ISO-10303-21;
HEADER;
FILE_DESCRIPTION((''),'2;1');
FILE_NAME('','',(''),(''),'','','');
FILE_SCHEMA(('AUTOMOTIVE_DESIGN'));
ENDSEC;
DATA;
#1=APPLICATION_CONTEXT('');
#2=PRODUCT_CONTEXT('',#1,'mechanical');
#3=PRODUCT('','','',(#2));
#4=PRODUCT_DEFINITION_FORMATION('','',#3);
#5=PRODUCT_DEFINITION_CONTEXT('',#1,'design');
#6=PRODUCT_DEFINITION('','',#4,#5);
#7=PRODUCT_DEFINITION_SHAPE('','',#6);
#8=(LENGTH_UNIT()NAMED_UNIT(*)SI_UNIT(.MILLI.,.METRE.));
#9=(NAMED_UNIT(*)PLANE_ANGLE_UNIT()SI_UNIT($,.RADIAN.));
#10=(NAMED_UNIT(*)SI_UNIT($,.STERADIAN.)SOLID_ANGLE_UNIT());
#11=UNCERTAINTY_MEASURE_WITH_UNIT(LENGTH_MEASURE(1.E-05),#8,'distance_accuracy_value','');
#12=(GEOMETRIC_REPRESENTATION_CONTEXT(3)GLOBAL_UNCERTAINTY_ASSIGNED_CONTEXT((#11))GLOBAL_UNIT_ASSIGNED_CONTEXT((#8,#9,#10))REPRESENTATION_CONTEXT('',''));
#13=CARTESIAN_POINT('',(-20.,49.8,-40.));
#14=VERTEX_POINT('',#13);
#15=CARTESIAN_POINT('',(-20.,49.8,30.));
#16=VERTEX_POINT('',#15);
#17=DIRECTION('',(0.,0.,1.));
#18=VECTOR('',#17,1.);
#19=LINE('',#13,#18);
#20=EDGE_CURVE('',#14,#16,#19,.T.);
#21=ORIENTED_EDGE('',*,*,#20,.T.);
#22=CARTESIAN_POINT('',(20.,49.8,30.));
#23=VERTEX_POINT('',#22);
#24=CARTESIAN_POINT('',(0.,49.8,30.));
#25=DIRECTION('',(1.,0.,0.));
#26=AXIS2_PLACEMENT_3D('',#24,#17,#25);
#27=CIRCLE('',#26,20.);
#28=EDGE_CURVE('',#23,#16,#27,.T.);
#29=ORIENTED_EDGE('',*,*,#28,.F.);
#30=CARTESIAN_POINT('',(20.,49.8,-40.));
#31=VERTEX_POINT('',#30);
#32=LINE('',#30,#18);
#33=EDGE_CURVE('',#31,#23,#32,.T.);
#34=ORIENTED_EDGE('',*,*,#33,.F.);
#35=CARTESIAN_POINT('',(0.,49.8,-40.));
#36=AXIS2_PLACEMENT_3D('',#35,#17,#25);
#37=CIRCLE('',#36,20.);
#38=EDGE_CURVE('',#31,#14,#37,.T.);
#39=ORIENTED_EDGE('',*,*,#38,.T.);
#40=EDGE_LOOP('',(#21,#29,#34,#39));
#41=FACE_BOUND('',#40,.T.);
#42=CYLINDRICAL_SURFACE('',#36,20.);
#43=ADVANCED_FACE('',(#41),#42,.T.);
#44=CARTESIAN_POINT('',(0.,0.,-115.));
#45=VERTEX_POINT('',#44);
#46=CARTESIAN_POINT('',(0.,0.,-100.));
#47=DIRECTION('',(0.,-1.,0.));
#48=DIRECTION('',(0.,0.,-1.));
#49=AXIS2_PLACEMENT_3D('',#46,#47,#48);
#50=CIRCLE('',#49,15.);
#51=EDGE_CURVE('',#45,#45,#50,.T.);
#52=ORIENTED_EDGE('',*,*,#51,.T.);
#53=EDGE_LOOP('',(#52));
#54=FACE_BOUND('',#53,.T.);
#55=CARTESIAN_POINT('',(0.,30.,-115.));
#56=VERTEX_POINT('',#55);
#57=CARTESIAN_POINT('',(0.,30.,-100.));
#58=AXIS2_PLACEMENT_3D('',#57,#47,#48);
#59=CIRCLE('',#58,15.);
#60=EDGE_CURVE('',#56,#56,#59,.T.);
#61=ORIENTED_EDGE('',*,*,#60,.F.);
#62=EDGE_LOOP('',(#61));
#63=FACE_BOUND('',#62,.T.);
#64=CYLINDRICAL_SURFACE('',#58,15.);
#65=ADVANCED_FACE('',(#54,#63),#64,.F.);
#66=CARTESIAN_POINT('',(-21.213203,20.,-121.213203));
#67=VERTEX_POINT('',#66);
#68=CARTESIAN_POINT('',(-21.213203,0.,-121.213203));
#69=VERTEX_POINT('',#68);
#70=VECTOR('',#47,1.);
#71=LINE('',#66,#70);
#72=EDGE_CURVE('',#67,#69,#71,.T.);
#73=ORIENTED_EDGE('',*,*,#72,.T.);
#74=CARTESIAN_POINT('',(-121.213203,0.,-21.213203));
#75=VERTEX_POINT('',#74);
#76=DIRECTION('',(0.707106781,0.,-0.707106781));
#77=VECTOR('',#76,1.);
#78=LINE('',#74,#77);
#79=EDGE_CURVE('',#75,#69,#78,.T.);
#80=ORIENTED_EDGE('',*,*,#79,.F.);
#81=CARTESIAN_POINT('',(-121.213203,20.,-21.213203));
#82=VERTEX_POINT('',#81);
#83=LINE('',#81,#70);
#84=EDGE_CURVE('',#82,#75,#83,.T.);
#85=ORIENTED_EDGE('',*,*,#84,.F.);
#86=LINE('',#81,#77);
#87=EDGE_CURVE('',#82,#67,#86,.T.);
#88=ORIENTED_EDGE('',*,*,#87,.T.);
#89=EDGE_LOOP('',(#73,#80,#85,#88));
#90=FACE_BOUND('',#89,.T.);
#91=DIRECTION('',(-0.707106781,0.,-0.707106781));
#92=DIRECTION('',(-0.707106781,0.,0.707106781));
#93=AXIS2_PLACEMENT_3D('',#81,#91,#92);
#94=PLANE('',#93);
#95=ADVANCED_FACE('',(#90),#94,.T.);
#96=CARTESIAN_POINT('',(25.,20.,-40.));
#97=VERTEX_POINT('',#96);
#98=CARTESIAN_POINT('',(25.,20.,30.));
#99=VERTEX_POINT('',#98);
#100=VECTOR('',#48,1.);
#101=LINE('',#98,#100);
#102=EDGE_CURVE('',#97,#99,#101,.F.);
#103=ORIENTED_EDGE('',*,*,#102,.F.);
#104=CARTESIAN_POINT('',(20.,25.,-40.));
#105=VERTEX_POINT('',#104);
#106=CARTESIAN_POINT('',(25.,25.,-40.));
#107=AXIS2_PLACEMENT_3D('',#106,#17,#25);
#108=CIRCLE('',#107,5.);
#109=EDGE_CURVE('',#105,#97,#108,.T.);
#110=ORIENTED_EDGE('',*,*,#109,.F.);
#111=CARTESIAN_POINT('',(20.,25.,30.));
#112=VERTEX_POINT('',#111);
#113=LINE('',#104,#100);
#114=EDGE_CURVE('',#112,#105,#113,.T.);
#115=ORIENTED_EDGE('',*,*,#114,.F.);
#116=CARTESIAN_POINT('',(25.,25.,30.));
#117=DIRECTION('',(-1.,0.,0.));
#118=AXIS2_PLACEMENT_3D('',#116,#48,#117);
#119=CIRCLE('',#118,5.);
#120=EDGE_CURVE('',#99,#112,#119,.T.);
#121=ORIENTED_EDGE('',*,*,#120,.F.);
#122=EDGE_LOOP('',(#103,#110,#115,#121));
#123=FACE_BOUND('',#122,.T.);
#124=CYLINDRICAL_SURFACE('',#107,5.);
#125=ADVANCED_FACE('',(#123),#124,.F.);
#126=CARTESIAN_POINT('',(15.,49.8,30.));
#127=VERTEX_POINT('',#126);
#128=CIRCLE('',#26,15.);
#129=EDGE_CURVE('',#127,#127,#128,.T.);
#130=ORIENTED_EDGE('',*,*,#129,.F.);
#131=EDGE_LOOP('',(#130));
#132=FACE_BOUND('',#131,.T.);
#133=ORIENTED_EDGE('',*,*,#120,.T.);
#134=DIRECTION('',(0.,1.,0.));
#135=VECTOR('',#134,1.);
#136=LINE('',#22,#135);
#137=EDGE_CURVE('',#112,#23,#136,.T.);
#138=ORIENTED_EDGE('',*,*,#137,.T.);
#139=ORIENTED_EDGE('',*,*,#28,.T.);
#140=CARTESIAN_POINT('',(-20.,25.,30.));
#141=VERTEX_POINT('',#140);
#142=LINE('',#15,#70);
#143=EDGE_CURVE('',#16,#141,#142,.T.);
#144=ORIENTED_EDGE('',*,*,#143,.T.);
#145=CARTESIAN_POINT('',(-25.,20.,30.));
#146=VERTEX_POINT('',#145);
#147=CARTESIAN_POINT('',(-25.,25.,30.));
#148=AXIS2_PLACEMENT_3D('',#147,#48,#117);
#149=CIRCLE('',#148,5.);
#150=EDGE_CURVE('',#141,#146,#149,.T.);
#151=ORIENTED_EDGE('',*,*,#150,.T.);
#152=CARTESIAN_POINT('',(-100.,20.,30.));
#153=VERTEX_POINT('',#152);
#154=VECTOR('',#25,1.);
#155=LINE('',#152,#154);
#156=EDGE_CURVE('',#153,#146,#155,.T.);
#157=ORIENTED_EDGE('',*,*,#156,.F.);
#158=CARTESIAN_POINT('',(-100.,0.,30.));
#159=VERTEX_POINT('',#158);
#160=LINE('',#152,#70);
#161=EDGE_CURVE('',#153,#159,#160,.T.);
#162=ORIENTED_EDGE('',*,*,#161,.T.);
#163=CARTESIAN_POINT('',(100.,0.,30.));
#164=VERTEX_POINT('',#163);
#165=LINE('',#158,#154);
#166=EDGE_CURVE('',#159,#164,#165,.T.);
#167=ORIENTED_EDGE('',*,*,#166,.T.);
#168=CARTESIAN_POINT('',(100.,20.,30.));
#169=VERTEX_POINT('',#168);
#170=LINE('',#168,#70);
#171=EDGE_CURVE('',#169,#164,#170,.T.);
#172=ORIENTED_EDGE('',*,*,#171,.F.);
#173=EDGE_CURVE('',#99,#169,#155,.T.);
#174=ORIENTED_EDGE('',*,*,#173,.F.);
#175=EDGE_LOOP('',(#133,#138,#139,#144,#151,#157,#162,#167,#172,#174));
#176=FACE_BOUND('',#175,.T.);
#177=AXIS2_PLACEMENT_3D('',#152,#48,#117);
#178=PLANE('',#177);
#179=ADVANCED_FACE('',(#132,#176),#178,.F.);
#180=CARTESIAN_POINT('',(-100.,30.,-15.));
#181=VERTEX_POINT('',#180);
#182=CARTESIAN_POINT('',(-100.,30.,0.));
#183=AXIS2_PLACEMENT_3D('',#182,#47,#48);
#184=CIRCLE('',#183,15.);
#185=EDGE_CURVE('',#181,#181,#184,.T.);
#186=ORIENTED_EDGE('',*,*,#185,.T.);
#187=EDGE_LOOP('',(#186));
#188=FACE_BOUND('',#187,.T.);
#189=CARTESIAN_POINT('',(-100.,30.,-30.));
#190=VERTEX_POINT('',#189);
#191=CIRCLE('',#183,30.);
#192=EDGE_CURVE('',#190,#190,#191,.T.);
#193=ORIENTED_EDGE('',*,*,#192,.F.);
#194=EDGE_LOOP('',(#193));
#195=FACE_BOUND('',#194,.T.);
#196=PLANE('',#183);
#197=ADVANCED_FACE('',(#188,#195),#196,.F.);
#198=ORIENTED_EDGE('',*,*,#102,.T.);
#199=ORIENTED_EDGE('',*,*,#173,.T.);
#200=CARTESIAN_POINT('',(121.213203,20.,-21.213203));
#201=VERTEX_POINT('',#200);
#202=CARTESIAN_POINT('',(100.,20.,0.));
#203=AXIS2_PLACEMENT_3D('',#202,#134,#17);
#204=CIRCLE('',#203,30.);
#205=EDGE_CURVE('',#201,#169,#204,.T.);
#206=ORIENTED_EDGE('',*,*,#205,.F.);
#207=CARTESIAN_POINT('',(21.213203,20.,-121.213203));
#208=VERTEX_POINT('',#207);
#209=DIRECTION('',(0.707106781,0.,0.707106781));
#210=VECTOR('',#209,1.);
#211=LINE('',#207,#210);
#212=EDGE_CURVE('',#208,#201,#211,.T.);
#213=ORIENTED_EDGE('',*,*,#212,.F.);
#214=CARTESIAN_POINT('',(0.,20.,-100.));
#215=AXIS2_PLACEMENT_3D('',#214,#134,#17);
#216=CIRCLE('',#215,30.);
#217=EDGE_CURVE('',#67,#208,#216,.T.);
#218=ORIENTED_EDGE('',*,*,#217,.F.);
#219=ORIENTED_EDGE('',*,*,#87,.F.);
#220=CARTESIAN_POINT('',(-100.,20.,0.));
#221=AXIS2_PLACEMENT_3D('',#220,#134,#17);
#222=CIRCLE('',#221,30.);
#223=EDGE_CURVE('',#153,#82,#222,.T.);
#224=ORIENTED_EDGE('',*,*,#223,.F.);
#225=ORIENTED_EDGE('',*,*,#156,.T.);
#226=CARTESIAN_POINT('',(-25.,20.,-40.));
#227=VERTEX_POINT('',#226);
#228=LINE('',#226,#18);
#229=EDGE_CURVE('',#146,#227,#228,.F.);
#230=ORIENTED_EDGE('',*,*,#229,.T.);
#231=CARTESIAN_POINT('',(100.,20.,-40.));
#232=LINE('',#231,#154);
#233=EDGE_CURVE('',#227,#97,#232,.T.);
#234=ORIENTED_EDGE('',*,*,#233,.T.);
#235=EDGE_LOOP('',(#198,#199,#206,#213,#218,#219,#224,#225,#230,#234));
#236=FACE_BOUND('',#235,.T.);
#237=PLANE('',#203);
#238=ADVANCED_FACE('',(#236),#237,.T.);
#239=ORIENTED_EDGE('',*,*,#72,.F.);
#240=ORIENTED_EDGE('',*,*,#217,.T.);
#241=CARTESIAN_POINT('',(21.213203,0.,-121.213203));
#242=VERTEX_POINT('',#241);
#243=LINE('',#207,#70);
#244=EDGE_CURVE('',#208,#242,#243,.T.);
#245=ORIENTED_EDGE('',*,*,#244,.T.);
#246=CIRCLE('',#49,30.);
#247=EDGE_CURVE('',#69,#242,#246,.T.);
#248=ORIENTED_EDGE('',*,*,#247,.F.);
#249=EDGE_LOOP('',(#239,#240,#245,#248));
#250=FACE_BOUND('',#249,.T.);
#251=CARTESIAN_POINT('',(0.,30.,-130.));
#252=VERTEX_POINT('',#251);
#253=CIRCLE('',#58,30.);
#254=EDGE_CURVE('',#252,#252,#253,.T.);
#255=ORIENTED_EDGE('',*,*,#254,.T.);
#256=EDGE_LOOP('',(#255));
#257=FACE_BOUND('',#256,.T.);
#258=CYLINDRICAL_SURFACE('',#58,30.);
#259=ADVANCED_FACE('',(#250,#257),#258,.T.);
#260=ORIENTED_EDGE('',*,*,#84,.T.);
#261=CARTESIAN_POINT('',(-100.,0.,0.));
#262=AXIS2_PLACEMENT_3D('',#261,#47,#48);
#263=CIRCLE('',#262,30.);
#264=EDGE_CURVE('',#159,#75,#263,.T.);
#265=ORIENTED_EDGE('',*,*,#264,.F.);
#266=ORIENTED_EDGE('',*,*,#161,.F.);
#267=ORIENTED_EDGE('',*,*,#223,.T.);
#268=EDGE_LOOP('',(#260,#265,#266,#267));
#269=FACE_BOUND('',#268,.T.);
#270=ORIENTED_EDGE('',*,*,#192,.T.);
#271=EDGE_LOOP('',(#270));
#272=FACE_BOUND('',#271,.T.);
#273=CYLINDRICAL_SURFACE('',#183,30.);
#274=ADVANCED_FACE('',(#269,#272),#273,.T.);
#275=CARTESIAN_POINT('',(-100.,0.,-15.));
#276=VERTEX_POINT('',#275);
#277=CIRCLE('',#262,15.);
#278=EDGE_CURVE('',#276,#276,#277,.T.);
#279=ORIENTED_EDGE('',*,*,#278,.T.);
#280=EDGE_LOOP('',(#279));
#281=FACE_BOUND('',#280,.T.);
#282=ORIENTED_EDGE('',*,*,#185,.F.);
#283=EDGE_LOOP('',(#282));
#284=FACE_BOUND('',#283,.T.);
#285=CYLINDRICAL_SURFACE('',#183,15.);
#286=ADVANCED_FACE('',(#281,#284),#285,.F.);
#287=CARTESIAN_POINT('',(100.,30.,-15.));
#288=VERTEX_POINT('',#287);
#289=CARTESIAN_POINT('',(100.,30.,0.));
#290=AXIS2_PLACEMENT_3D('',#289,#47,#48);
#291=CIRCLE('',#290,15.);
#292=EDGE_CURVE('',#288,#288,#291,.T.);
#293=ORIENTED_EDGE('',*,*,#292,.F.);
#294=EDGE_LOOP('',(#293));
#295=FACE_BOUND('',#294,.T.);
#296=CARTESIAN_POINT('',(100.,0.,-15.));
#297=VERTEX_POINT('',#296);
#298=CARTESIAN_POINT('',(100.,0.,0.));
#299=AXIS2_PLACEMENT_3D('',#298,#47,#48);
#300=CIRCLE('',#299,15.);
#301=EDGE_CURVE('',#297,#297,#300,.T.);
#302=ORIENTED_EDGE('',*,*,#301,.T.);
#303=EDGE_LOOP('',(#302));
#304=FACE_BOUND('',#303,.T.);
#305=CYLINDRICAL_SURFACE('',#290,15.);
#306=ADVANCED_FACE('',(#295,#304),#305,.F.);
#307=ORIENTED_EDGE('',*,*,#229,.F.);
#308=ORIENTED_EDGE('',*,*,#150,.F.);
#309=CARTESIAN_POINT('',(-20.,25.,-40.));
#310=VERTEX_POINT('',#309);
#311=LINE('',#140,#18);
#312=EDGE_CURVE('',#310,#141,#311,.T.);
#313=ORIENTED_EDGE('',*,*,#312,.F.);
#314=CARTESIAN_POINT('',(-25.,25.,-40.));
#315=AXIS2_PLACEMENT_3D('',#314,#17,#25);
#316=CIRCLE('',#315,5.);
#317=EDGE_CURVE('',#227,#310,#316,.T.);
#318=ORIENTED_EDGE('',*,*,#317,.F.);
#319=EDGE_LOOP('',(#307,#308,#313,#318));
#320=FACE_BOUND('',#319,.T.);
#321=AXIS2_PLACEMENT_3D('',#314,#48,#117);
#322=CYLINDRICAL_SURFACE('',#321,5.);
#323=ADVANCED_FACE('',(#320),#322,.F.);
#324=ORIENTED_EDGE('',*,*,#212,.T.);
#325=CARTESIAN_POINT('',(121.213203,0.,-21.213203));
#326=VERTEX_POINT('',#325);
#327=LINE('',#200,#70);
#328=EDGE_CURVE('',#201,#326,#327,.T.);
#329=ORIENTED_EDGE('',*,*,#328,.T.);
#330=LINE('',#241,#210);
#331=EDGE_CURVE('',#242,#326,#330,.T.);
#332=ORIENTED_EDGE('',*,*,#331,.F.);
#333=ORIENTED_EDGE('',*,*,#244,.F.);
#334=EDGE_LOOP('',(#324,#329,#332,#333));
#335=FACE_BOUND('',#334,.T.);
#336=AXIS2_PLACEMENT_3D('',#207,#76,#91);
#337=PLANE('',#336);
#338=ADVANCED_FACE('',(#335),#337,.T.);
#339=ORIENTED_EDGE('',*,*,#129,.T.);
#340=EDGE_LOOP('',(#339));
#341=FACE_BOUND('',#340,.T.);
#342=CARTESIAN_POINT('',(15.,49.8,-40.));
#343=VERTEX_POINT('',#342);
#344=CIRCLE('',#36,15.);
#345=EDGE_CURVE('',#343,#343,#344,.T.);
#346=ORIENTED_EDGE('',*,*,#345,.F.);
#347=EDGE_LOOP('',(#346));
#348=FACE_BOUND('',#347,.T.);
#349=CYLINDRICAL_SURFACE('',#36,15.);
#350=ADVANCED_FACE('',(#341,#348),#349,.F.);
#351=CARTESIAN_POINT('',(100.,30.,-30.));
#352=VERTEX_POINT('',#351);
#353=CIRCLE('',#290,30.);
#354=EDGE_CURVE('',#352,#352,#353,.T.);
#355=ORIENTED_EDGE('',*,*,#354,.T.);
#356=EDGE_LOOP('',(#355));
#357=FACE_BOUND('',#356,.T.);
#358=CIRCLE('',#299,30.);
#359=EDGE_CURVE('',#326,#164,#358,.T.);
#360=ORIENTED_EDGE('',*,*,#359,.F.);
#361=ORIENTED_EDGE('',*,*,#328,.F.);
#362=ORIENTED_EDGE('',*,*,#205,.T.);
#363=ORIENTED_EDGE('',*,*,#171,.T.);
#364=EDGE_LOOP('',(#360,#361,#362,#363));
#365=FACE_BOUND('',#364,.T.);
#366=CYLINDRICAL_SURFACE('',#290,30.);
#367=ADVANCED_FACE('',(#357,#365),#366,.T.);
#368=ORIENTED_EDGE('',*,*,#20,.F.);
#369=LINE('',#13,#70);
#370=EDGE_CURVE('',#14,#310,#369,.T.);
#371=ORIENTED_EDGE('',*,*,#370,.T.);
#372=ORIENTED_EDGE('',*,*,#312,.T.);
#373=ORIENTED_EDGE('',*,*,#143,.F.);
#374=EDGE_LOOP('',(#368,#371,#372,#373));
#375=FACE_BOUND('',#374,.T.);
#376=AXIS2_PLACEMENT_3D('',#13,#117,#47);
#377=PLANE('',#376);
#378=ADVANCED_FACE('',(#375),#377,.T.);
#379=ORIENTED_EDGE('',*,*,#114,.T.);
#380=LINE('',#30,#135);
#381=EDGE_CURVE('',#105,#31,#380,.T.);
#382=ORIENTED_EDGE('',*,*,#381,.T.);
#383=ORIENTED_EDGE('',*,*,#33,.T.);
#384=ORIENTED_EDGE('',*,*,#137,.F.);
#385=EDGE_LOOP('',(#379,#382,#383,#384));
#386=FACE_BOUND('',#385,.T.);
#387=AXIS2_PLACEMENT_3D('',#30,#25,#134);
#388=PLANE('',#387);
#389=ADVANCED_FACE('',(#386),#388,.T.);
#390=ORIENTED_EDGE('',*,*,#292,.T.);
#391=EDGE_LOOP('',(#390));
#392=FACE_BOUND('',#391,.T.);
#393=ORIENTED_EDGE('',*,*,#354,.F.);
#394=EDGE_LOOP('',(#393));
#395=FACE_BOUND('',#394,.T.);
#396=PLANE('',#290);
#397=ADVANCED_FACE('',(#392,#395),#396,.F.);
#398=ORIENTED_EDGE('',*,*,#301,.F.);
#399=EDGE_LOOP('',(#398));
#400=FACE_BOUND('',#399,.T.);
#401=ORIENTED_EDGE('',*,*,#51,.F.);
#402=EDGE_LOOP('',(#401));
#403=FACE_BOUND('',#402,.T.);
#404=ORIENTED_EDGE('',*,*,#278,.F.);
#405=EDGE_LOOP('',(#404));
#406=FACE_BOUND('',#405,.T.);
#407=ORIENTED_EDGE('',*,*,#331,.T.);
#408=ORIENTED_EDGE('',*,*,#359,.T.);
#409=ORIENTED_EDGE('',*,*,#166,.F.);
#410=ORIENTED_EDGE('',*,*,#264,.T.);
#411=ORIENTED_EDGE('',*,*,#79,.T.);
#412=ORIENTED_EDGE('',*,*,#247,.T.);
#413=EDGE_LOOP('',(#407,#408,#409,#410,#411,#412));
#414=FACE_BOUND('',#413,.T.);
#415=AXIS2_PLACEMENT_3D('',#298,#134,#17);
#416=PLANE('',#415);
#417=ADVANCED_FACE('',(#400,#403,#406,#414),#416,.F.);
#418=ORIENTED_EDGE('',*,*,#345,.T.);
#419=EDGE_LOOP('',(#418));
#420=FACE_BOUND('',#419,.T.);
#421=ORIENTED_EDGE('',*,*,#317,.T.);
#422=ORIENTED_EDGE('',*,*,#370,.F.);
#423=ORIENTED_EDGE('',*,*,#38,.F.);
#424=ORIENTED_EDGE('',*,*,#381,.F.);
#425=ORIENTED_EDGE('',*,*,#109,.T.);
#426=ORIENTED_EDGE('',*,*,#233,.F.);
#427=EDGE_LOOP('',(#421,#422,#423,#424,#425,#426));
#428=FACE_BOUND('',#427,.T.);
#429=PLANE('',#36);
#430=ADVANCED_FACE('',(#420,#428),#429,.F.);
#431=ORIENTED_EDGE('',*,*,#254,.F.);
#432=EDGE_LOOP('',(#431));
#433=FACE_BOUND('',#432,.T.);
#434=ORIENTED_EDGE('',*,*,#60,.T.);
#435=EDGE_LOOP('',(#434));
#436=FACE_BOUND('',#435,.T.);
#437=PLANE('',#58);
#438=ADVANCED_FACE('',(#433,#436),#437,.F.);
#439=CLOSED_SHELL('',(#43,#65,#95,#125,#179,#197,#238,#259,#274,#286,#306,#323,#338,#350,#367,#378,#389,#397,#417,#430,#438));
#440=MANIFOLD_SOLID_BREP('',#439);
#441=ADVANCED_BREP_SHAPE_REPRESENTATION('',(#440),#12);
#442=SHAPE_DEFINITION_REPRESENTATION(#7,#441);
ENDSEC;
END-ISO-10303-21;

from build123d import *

# Parameters (mm, degrees)
BOSS_EXTRUDE2_DEPTH = 20
SKETCH3_R           = 30
SKETCH3_R_2         = 15
BOSS_EXTRUDE3_DEPTH = 30
SKETCH5_R           = 15
BOSS_EXTRUDE4_DEPTH = 70
FILLET1_R           = 5


with BuildPart() as part:
    # Sketch1 → Boss-Extrude2 (new body)
    with BuildSketch(Plane(origin=(0, 0, 0), x_dir=(1, 0, 0), z_dir=(0, 1, 0))):
        with BuildLine():
            Line((-121.213203436, 21.213203436), (-21.213203436, 121.213203436))
            ThreePointArc((-21.213203436, 121.213203436), (0, 70), (21.213203436, 121.213203436))
            Line((21.213203436, 121.213203436), (121.213203436, 21.213203436))
            ThreePointArc((121.213203436, 21.213203436), (72.283614025, 11.480502971), (100, -30))
            Line((100, -30), (-100, -30))
            ThreePointArc((-100, -30), (-72.283614025, 11.480502971), (-121.213203436, 21.213203436))
        make_face()
    extrude(amount=BOSS_EXTRUDE2_DEPTH)

    # Sketch3 → Boss-Extrude3 (add)
    # profile 1 of 3: a face of its own
    with BuildSketch(Plane.XZ):
        with Locations(Location((0, -100, 0), (0, 0, 270))):
            Circle(SKETCH3_R)
        with Locations(Location((0, -100, 0), (0, 0, 270))):
            Circle(SKETCH3_R_2, mode=Mode.SUBTRACT)
    # profile 2 of 3: a face of its own
    with BuildSketch(Plane.XZ):
        with Locations(Location((100, 0, 0), (0, 0, 270))):
            Circle(SKETCH3_R)
        with Locations(Location((100, 0, 0), (0, 0, 270))):
            Circle(SKETCH3_R_2, mode=Mode.SUBTRACT)
    # profile 3 of 3: a face of its own
    with BuildSketch(Plane.XZ):
        with Locations(Location((-100, 0, 0), (0, 0, 270))):
            Circle(SKETCH3_R)
        with Locations(Location((-100, 0, 0), (0, 0, 270))):
            Circle(SKETCH3_R_2, mode=Mode.SUBTRACT)
    extrude(amount=-BOSS_EXTRUDE3_DEPTH)

    # Sketch5 → Boss-Extrude4 (add)
    with BuildSketch(Plane.XY.offset(30)):
        with BuildLine():
            Line((-20, 49.8), (-20, 0))
            Line((-20, 0), (20, 0))
            Line((20, 0), (20, 49.8))
            ThreePointArc((20, 49.8), (0, 69.8), (-20, 49.8))
        make_face()
        with Locations((0, 49.8)):
            Circle(SKETCH5_R, mode=Mode.SUBTRACT)
    extrude(amount=-BOSS_EXTRUDE4_DEPTH)

    # Fillet1
    fillet1_edges = [part.edges().sort_by_distance(p)[0] for p in [
        (20, 20, -5),
        (-20, 20, -5),
    ]]
    fillet(fillet1_edges, radius=FILLET1_R)


solid = part.part
